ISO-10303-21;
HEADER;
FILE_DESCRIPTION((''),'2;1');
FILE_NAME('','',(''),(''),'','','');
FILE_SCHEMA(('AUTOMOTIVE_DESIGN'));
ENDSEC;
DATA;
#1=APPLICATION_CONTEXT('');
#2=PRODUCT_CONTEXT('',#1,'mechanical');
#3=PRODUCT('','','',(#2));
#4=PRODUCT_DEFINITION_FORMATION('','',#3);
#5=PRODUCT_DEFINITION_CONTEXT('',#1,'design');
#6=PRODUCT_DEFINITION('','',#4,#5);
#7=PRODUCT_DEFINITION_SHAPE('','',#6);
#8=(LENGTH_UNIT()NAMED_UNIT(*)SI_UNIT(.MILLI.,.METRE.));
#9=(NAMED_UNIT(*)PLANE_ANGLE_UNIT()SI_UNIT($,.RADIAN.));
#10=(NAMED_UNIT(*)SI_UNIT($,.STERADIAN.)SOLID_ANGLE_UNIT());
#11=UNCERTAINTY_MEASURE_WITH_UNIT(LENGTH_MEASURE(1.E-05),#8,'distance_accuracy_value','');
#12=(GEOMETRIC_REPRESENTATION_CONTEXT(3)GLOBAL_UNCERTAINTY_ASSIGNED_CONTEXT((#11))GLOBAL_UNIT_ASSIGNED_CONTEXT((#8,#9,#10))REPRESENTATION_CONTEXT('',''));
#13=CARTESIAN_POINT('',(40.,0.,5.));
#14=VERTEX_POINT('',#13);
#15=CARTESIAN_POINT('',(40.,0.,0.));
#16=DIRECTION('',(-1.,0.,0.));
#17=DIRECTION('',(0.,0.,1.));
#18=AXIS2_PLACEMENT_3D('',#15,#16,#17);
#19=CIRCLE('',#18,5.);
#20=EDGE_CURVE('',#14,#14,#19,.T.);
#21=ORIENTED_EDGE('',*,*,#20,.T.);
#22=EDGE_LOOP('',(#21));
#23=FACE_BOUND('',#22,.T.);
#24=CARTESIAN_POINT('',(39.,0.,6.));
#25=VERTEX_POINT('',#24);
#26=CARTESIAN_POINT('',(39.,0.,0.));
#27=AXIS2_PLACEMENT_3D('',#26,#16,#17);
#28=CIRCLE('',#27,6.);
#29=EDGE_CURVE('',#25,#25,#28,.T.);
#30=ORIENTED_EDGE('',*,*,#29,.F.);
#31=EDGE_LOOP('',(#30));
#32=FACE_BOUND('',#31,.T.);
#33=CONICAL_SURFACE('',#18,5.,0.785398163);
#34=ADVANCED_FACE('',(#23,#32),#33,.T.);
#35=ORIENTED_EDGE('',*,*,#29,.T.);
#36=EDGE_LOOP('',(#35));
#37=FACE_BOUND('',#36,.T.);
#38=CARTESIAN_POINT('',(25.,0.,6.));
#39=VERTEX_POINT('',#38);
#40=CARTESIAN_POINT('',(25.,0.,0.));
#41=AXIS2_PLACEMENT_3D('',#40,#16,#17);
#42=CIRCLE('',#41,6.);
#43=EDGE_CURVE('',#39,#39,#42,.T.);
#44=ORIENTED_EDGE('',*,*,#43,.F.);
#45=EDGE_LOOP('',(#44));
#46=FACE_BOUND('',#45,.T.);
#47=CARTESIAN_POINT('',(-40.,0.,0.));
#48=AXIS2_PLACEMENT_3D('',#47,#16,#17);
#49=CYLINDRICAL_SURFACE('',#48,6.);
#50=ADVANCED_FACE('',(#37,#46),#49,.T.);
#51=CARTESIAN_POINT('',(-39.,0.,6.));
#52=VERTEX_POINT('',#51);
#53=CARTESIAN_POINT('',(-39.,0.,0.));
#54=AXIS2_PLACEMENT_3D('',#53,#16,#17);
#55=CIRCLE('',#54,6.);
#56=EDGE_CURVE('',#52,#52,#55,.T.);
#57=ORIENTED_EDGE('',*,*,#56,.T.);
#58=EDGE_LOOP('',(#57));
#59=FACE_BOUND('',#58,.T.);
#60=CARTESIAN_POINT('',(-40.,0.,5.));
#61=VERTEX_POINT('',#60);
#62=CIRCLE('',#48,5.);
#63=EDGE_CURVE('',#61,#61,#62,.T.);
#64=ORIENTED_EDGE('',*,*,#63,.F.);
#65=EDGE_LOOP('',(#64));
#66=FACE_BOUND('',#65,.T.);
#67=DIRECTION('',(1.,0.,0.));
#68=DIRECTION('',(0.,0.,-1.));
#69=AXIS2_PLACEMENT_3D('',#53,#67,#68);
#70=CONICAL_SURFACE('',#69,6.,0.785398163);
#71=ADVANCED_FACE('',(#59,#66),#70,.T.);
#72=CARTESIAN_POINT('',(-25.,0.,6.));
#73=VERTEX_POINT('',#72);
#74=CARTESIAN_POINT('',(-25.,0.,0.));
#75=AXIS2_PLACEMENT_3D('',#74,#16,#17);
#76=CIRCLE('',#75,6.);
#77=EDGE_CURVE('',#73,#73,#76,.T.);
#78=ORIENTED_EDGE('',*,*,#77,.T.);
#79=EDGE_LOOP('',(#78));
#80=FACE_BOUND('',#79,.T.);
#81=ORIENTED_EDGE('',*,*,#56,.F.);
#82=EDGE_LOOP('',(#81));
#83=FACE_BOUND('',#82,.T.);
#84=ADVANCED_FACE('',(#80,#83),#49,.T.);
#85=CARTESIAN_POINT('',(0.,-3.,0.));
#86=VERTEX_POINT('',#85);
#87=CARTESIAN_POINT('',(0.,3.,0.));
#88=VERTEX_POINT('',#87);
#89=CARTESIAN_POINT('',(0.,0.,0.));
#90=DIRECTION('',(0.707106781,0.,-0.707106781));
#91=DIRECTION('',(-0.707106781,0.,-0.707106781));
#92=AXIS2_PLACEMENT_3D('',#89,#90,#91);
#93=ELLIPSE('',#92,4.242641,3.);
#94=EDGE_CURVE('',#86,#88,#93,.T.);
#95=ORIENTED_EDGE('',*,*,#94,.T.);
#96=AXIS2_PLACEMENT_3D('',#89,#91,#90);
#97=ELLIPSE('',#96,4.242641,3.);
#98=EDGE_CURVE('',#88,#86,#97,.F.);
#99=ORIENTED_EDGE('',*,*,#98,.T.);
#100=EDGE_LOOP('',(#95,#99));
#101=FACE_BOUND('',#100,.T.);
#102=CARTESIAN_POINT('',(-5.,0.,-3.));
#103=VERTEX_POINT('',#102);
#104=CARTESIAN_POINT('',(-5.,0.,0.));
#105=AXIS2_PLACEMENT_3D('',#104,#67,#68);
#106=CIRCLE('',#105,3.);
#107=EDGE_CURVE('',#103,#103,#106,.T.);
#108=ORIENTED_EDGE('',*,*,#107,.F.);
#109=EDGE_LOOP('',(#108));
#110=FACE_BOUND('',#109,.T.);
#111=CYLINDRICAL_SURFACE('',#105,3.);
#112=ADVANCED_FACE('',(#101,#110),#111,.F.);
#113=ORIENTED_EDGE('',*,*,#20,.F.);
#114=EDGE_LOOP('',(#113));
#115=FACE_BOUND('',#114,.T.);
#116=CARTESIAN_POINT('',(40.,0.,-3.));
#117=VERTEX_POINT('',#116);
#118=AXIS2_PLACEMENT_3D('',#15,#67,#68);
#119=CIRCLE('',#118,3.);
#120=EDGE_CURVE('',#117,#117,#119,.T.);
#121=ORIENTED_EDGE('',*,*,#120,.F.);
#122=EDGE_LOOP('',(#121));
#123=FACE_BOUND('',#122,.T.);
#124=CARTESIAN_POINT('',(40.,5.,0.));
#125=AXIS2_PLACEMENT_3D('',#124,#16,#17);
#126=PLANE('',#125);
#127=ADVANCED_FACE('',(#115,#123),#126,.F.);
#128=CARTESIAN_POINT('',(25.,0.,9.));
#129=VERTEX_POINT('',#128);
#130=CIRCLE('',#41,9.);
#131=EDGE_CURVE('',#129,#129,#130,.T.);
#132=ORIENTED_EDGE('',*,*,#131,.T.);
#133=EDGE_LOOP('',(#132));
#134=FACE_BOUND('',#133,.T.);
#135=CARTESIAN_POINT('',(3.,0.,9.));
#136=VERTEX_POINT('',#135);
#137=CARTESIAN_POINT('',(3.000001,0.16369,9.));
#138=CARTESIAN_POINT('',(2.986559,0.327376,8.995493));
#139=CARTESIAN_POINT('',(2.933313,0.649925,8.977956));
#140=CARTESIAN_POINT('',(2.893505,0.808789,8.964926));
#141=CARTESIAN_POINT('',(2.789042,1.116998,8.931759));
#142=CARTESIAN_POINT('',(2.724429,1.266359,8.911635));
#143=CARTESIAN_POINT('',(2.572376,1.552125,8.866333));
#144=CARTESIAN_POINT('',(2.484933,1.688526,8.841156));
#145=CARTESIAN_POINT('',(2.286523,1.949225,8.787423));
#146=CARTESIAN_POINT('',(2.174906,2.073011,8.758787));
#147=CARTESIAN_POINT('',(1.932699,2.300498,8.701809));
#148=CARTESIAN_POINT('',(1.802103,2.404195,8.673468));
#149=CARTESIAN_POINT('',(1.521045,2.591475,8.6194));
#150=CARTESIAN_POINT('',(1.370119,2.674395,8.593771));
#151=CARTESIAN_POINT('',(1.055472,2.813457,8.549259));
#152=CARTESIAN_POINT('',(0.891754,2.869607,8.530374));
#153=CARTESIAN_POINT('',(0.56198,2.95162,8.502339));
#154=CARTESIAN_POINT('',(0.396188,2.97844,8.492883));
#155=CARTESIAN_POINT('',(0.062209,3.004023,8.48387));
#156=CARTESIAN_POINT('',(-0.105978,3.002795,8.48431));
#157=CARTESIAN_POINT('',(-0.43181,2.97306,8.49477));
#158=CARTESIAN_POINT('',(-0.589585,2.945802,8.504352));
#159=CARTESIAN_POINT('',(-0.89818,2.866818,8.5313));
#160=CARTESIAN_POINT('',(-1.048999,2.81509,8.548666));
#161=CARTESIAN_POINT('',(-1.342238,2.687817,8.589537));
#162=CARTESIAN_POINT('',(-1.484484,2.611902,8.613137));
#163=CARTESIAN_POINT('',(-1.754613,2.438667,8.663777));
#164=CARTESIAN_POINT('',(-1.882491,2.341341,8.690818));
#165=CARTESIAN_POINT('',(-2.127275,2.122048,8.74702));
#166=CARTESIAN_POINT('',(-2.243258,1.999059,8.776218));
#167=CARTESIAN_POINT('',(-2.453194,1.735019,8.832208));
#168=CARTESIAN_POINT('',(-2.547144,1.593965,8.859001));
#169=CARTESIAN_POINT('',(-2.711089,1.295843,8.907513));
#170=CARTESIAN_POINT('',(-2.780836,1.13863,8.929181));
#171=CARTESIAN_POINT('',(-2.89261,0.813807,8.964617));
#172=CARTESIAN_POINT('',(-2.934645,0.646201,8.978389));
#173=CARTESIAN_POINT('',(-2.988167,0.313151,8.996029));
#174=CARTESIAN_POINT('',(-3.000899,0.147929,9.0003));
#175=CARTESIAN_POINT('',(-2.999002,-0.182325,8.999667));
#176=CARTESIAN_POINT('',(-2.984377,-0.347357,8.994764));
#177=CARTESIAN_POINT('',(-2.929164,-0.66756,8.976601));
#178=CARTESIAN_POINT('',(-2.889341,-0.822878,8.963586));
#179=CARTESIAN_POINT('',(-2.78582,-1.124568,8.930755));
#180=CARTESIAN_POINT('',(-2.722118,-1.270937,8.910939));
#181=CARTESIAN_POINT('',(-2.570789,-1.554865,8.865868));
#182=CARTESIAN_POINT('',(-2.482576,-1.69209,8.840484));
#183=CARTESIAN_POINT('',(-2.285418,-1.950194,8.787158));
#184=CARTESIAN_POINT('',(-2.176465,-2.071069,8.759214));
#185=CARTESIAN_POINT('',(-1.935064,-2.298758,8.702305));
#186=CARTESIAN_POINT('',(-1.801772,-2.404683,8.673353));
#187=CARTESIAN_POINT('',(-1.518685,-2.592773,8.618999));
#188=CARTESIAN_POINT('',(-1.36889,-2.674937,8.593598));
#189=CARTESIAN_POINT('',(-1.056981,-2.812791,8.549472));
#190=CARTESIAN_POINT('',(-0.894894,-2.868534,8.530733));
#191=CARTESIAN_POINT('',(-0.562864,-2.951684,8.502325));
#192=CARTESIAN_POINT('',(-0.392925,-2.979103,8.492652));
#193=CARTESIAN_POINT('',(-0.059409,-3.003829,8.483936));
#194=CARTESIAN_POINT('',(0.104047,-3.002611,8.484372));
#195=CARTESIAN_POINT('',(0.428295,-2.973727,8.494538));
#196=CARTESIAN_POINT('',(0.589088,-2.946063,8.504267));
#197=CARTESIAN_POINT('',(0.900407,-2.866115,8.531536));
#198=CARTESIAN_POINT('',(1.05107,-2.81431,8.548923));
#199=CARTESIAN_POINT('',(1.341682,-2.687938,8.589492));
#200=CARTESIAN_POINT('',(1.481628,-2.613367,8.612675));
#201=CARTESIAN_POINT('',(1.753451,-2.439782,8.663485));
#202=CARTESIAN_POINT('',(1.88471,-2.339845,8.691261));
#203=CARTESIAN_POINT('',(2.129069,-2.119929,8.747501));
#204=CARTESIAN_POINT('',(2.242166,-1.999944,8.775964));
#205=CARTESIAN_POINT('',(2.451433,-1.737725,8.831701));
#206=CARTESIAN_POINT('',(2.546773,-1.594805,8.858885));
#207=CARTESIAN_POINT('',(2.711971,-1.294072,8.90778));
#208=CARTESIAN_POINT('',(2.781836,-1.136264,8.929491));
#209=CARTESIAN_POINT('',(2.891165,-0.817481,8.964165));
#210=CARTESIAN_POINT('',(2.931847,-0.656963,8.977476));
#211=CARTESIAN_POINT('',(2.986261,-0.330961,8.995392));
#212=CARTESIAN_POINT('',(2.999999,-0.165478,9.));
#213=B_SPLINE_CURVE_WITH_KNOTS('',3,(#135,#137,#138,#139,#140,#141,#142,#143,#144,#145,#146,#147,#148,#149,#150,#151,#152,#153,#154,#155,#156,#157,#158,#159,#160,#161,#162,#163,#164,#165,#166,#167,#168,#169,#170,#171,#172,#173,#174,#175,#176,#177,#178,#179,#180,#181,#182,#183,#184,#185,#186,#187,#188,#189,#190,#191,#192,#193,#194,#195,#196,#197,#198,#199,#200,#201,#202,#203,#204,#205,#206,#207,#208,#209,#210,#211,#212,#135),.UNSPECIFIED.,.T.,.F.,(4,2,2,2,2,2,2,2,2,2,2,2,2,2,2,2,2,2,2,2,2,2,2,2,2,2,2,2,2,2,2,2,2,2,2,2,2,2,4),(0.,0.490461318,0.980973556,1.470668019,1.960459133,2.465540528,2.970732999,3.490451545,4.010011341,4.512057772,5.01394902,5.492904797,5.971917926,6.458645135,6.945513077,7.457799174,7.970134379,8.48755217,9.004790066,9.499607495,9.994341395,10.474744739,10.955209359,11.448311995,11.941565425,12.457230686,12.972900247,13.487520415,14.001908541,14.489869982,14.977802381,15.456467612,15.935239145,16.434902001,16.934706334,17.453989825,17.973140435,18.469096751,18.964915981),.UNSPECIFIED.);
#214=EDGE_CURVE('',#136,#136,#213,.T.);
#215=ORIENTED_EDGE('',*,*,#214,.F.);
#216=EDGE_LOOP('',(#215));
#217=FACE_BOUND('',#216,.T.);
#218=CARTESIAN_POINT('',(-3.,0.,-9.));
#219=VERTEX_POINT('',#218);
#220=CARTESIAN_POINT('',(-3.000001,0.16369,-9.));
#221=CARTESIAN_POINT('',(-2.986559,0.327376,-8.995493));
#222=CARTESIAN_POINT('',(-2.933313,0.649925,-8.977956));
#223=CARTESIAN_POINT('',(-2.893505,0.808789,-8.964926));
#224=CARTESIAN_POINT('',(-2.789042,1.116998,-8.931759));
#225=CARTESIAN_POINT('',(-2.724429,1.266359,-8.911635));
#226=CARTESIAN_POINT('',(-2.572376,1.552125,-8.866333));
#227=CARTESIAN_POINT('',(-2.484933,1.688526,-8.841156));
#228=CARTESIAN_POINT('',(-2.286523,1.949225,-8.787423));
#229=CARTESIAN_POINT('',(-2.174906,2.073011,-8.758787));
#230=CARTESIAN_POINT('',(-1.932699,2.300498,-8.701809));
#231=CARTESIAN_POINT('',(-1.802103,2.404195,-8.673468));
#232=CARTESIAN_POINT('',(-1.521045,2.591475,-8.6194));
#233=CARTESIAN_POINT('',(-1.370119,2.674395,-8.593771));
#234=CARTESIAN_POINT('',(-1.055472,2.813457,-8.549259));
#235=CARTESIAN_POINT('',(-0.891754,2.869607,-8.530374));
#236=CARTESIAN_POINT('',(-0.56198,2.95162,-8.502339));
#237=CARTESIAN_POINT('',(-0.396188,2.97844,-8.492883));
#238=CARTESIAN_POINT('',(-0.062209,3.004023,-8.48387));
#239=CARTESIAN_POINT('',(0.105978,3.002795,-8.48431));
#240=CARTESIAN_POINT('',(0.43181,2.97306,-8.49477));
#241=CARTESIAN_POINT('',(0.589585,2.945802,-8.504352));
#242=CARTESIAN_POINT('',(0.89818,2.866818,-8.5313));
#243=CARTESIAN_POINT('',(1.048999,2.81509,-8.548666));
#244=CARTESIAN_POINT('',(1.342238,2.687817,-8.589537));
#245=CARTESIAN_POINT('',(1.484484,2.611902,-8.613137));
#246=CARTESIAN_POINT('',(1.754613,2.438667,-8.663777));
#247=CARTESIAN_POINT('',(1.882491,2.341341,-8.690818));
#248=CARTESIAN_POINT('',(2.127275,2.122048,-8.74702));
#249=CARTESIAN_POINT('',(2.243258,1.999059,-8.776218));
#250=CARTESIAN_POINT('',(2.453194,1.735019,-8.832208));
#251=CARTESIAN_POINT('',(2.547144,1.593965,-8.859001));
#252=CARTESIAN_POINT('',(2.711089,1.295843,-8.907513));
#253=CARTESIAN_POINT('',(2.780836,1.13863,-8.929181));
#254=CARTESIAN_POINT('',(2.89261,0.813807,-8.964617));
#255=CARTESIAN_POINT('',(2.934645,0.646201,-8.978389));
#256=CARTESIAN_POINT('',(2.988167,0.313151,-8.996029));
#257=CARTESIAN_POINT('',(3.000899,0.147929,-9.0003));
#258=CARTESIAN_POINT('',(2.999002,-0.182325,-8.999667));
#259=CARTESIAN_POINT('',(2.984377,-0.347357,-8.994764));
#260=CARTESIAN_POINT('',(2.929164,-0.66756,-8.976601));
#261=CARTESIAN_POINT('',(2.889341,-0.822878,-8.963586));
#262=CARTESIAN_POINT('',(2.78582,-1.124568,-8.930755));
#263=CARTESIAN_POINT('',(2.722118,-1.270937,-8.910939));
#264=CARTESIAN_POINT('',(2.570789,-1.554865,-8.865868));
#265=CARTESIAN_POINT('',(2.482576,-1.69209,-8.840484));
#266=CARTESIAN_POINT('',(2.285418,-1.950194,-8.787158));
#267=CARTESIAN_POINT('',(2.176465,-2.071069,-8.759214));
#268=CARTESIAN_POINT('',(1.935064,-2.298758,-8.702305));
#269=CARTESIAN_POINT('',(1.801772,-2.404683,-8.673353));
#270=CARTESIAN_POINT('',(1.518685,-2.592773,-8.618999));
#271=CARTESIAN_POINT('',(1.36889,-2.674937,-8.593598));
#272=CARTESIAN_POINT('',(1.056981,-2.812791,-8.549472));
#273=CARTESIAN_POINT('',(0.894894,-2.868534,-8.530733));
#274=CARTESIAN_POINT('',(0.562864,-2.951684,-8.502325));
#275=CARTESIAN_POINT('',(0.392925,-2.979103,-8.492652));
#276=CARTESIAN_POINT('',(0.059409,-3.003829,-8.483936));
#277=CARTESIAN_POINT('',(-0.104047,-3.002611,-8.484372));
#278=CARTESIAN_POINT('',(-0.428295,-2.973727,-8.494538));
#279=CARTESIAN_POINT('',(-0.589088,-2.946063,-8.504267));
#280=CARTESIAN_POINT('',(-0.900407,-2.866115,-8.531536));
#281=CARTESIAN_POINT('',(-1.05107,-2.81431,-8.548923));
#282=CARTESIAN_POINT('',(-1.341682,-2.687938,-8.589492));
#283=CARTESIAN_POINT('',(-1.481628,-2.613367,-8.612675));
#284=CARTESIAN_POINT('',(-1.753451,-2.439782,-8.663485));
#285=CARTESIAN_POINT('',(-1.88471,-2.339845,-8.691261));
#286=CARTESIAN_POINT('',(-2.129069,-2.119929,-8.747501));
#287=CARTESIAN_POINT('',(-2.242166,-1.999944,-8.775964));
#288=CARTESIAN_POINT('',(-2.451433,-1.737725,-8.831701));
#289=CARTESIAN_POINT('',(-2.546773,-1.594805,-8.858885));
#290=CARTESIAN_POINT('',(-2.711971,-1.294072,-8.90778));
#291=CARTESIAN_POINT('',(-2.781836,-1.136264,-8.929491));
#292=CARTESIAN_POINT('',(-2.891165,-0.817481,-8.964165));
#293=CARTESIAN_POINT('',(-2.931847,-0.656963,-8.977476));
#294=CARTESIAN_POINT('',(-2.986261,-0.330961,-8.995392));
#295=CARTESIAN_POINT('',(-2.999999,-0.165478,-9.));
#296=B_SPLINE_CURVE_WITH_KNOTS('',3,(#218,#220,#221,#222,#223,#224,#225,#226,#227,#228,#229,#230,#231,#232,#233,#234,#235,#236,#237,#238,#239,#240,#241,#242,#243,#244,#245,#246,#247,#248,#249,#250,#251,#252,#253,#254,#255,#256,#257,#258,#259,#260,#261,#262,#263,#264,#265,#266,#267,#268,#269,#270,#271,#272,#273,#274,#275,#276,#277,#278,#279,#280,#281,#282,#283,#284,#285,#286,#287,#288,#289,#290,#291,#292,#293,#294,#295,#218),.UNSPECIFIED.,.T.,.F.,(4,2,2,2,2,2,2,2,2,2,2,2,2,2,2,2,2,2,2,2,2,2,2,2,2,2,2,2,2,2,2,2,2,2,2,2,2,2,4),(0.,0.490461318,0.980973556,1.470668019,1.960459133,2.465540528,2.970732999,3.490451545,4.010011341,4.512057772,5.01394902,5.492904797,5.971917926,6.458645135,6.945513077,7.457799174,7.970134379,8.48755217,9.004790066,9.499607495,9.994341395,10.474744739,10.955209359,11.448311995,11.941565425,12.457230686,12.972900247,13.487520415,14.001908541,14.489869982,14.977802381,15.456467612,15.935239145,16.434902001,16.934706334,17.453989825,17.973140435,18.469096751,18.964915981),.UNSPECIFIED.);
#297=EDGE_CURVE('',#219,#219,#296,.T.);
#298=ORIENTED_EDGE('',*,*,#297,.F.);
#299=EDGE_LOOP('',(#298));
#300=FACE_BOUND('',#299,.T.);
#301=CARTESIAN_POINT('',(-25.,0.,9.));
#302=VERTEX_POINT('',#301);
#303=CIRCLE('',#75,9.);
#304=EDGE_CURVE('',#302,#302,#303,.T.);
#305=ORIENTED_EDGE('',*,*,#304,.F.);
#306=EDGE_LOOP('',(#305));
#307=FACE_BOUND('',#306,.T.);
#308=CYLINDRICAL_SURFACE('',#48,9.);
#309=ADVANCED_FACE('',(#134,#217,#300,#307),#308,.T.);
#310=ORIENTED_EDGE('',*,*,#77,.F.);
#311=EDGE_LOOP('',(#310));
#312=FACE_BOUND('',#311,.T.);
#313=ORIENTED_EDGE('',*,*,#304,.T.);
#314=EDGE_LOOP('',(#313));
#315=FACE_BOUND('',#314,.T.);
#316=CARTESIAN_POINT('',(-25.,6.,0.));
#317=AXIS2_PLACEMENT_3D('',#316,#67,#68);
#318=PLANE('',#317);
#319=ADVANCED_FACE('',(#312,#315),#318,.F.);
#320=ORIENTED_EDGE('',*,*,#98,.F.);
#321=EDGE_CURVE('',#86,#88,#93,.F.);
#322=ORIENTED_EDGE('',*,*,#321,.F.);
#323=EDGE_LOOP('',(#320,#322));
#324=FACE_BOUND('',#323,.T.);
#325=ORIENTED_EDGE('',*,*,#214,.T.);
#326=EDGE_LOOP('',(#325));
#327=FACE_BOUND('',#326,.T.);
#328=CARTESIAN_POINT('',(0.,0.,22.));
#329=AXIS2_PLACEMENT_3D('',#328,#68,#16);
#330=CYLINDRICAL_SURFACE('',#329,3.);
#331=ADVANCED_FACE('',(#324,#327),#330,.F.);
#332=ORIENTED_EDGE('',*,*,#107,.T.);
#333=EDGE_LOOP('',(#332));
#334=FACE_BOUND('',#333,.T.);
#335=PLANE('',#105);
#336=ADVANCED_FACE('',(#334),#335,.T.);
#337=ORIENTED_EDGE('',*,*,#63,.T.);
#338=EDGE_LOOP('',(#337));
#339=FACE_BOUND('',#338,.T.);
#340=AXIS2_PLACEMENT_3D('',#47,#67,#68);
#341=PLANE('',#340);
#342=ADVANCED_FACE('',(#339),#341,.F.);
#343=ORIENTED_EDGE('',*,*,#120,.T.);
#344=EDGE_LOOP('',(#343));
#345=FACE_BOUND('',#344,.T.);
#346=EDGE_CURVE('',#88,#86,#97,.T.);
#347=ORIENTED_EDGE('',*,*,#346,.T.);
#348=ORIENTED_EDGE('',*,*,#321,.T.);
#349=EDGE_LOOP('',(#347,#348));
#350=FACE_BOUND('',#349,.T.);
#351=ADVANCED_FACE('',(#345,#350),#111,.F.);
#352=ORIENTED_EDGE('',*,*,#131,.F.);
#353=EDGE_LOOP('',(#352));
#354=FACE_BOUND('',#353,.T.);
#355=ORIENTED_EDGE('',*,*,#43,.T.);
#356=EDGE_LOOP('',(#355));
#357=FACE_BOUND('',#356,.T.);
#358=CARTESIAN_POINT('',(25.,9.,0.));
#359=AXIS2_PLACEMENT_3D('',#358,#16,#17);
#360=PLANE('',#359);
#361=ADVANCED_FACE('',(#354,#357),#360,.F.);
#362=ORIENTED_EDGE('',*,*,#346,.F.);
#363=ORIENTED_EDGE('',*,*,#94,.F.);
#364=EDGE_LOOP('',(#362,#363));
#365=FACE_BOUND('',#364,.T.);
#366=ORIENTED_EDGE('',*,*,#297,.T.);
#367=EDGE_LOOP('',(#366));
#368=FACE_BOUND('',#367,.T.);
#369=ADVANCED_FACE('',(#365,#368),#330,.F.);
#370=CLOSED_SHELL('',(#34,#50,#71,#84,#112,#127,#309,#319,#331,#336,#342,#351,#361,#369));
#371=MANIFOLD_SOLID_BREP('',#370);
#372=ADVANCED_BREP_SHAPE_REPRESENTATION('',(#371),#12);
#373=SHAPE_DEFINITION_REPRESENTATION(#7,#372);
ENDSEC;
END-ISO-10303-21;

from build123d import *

# Parameters (mm, degrees)
CUT_EXTRUDE2_DEPTH      = 22
CUT_EXTRUDE2_DEPTH_BACK = 21
SKETCH2_R               = 3
SKETCH3_R               = 3
CUT_EXTRUDE3_DEPTH      = 45


with BuildPart() as part:
    # Sketch1 → Revolve1 (revolve)
    with BuildSketch(Plane.XY, mode=Mode.PRIVATE) as revolve1_sk:
        Polygon((-40, 0), (40, 0), (40, 5), (39, 6), (25, 6), (25, 9), (-25, 9), (-25, 6), (-39, 6), (-40, 5), align=None)
    revolve(revolve1_sk.sketch.rotate(Axis((-40, 0, 0), (1, 0, 0)), 90), axis=Axis((-40, 0, 0), (1, 0, 0)))

    # Sketch2 → Cut-Extrude2 (cut, two sides: drawn at the far end of the back side and taken through both)
    with BuildSketch(Plane.XY.offset(-CUT_EXTRUDE2_DEPTH_BACK)):
        with Locations(Location((0, 0, 0), (0, 0, 180))):
            Circle(SKETCH2_R)
    extrude(amount=CUT_EXTRUDE2_DEPTH + CUT_EXTRUDE2_DEPTH_BACK, mode=Mode.SUBTRACT)

    # Sketch3 → Cut-Extrude3 (cut)
    with BuildSketch(Plane(origin=(40, 0, 0), x_dir=(0, 0, -1), z_dir=(1, 0, 0))):
        Circle(SKETCH3_R)
    extrude(amount=-CUT_EXTRUDE3_DEPTH, mode=Mode.SUBTRACT)


solid = part.part
